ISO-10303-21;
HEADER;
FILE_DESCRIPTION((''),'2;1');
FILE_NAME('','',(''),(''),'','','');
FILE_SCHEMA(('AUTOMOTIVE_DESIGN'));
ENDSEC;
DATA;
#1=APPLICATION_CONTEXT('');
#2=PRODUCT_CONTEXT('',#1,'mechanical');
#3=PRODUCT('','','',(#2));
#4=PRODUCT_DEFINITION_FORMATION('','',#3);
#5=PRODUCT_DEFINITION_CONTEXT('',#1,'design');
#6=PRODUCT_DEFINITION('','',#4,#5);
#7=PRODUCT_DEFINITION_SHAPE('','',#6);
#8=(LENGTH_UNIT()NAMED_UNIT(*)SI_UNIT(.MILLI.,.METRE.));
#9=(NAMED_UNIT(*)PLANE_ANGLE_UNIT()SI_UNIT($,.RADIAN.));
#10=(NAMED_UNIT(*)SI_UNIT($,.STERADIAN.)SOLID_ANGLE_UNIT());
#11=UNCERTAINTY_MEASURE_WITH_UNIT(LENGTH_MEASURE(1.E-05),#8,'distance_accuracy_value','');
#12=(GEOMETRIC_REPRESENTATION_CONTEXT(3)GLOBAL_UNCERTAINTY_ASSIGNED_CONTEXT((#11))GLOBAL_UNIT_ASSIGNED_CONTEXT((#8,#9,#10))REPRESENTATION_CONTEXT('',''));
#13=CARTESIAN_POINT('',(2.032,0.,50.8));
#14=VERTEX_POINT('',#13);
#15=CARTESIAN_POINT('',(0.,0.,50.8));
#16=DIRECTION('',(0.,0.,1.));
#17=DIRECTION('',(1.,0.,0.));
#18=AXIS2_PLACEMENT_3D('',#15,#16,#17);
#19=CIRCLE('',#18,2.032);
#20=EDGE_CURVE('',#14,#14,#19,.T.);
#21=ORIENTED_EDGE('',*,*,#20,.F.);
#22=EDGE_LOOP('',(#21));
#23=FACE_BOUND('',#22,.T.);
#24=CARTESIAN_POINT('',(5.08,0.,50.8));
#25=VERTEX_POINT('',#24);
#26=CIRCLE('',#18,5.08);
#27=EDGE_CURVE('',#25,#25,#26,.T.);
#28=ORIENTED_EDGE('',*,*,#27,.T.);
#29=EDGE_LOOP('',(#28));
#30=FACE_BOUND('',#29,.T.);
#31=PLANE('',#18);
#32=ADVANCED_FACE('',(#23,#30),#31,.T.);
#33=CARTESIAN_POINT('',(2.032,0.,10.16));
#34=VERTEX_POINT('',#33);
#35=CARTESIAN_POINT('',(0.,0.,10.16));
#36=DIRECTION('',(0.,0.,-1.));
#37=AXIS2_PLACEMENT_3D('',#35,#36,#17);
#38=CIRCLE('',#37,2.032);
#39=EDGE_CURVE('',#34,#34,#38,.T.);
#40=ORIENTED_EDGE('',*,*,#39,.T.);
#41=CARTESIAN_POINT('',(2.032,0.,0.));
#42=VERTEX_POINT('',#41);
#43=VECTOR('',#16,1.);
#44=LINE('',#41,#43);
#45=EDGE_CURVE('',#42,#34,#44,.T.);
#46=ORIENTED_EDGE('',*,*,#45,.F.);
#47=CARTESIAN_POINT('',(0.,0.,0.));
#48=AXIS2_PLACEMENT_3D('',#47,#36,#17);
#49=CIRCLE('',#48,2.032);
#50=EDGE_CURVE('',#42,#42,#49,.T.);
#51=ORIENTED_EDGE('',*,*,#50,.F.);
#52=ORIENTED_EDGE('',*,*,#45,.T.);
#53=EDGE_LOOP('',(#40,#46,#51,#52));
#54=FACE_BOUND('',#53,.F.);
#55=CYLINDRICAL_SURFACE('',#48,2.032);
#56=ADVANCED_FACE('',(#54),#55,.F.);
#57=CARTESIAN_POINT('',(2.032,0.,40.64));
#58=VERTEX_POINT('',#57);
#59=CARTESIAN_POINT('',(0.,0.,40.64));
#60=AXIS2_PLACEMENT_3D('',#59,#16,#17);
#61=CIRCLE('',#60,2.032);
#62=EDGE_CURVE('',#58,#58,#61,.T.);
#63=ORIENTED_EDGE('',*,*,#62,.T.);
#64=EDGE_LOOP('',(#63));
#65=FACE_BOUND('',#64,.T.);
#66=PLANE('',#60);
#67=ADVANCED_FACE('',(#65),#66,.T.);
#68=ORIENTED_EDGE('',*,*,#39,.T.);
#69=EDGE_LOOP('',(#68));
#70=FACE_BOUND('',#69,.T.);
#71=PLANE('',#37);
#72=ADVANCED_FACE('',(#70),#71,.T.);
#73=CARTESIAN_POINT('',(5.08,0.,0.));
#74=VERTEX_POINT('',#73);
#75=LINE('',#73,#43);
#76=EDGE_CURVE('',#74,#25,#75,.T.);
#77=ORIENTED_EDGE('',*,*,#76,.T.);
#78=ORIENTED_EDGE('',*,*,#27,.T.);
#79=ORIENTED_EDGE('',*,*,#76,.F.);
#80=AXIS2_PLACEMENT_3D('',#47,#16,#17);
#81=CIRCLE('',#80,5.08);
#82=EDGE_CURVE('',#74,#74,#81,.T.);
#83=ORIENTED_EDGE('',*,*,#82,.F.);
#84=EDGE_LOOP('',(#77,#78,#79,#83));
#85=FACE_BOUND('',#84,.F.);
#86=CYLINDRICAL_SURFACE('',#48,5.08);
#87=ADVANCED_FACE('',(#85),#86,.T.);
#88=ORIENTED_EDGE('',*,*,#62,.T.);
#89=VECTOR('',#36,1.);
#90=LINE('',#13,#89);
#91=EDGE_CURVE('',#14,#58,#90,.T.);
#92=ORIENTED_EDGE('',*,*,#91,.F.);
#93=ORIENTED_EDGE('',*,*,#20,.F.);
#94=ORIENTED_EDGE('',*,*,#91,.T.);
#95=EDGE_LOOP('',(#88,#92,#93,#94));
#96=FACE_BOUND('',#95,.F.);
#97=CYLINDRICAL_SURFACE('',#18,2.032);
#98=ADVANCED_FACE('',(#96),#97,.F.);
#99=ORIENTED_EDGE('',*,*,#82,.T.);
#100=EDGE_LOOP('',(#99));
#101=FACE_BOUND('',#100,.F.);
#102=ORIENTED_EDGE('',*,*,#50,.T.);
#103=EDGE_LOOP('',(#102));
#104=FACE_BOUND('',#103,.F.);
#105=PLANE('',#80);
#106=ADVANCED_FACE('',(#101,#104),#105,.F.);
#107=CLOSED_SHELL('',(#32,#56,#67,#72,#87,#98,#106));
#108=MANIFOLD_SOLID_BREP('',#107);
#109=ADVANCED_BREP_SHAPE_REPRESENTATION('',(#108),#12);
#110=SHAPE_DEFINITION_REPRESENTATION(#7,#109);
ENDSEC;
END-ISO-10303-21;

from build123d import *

# Parameters (mm, degrees)
F0_R     = 5.08
F1_DEPTH = 50.8
F2_R     = 2.032
F3_DEPTH = 10.16
F4_R     = 2.032
F5_DEPTH = 10.16


with BuildPart() as f1:
    # F0 (on Top) → F1 (new body)
    with BuildSketch(Plane.XY):
        Circle(F0_R)
    extrude(amount=F1_DEPTH)

    # F2 (on face) → F3 (cut)
    with BuildSketch(Plane.XY.offset(50.8)):
        Circle(F2_R)
    extrude(amount=-F3_DEPTH, mode=Mode.SUBTRACT)

    # F4 (on face) → F5 (cut)
    with BuildSketch(Plane(origin=(0, 0, 0), x_dir=(1, 0, 0), z_dir=(0, 0, -1))):
        Circle(F4_R)
    extrude(amount=-F5_DEPTH, mode=Mode.SUBTRACT)


solid = f1.part
